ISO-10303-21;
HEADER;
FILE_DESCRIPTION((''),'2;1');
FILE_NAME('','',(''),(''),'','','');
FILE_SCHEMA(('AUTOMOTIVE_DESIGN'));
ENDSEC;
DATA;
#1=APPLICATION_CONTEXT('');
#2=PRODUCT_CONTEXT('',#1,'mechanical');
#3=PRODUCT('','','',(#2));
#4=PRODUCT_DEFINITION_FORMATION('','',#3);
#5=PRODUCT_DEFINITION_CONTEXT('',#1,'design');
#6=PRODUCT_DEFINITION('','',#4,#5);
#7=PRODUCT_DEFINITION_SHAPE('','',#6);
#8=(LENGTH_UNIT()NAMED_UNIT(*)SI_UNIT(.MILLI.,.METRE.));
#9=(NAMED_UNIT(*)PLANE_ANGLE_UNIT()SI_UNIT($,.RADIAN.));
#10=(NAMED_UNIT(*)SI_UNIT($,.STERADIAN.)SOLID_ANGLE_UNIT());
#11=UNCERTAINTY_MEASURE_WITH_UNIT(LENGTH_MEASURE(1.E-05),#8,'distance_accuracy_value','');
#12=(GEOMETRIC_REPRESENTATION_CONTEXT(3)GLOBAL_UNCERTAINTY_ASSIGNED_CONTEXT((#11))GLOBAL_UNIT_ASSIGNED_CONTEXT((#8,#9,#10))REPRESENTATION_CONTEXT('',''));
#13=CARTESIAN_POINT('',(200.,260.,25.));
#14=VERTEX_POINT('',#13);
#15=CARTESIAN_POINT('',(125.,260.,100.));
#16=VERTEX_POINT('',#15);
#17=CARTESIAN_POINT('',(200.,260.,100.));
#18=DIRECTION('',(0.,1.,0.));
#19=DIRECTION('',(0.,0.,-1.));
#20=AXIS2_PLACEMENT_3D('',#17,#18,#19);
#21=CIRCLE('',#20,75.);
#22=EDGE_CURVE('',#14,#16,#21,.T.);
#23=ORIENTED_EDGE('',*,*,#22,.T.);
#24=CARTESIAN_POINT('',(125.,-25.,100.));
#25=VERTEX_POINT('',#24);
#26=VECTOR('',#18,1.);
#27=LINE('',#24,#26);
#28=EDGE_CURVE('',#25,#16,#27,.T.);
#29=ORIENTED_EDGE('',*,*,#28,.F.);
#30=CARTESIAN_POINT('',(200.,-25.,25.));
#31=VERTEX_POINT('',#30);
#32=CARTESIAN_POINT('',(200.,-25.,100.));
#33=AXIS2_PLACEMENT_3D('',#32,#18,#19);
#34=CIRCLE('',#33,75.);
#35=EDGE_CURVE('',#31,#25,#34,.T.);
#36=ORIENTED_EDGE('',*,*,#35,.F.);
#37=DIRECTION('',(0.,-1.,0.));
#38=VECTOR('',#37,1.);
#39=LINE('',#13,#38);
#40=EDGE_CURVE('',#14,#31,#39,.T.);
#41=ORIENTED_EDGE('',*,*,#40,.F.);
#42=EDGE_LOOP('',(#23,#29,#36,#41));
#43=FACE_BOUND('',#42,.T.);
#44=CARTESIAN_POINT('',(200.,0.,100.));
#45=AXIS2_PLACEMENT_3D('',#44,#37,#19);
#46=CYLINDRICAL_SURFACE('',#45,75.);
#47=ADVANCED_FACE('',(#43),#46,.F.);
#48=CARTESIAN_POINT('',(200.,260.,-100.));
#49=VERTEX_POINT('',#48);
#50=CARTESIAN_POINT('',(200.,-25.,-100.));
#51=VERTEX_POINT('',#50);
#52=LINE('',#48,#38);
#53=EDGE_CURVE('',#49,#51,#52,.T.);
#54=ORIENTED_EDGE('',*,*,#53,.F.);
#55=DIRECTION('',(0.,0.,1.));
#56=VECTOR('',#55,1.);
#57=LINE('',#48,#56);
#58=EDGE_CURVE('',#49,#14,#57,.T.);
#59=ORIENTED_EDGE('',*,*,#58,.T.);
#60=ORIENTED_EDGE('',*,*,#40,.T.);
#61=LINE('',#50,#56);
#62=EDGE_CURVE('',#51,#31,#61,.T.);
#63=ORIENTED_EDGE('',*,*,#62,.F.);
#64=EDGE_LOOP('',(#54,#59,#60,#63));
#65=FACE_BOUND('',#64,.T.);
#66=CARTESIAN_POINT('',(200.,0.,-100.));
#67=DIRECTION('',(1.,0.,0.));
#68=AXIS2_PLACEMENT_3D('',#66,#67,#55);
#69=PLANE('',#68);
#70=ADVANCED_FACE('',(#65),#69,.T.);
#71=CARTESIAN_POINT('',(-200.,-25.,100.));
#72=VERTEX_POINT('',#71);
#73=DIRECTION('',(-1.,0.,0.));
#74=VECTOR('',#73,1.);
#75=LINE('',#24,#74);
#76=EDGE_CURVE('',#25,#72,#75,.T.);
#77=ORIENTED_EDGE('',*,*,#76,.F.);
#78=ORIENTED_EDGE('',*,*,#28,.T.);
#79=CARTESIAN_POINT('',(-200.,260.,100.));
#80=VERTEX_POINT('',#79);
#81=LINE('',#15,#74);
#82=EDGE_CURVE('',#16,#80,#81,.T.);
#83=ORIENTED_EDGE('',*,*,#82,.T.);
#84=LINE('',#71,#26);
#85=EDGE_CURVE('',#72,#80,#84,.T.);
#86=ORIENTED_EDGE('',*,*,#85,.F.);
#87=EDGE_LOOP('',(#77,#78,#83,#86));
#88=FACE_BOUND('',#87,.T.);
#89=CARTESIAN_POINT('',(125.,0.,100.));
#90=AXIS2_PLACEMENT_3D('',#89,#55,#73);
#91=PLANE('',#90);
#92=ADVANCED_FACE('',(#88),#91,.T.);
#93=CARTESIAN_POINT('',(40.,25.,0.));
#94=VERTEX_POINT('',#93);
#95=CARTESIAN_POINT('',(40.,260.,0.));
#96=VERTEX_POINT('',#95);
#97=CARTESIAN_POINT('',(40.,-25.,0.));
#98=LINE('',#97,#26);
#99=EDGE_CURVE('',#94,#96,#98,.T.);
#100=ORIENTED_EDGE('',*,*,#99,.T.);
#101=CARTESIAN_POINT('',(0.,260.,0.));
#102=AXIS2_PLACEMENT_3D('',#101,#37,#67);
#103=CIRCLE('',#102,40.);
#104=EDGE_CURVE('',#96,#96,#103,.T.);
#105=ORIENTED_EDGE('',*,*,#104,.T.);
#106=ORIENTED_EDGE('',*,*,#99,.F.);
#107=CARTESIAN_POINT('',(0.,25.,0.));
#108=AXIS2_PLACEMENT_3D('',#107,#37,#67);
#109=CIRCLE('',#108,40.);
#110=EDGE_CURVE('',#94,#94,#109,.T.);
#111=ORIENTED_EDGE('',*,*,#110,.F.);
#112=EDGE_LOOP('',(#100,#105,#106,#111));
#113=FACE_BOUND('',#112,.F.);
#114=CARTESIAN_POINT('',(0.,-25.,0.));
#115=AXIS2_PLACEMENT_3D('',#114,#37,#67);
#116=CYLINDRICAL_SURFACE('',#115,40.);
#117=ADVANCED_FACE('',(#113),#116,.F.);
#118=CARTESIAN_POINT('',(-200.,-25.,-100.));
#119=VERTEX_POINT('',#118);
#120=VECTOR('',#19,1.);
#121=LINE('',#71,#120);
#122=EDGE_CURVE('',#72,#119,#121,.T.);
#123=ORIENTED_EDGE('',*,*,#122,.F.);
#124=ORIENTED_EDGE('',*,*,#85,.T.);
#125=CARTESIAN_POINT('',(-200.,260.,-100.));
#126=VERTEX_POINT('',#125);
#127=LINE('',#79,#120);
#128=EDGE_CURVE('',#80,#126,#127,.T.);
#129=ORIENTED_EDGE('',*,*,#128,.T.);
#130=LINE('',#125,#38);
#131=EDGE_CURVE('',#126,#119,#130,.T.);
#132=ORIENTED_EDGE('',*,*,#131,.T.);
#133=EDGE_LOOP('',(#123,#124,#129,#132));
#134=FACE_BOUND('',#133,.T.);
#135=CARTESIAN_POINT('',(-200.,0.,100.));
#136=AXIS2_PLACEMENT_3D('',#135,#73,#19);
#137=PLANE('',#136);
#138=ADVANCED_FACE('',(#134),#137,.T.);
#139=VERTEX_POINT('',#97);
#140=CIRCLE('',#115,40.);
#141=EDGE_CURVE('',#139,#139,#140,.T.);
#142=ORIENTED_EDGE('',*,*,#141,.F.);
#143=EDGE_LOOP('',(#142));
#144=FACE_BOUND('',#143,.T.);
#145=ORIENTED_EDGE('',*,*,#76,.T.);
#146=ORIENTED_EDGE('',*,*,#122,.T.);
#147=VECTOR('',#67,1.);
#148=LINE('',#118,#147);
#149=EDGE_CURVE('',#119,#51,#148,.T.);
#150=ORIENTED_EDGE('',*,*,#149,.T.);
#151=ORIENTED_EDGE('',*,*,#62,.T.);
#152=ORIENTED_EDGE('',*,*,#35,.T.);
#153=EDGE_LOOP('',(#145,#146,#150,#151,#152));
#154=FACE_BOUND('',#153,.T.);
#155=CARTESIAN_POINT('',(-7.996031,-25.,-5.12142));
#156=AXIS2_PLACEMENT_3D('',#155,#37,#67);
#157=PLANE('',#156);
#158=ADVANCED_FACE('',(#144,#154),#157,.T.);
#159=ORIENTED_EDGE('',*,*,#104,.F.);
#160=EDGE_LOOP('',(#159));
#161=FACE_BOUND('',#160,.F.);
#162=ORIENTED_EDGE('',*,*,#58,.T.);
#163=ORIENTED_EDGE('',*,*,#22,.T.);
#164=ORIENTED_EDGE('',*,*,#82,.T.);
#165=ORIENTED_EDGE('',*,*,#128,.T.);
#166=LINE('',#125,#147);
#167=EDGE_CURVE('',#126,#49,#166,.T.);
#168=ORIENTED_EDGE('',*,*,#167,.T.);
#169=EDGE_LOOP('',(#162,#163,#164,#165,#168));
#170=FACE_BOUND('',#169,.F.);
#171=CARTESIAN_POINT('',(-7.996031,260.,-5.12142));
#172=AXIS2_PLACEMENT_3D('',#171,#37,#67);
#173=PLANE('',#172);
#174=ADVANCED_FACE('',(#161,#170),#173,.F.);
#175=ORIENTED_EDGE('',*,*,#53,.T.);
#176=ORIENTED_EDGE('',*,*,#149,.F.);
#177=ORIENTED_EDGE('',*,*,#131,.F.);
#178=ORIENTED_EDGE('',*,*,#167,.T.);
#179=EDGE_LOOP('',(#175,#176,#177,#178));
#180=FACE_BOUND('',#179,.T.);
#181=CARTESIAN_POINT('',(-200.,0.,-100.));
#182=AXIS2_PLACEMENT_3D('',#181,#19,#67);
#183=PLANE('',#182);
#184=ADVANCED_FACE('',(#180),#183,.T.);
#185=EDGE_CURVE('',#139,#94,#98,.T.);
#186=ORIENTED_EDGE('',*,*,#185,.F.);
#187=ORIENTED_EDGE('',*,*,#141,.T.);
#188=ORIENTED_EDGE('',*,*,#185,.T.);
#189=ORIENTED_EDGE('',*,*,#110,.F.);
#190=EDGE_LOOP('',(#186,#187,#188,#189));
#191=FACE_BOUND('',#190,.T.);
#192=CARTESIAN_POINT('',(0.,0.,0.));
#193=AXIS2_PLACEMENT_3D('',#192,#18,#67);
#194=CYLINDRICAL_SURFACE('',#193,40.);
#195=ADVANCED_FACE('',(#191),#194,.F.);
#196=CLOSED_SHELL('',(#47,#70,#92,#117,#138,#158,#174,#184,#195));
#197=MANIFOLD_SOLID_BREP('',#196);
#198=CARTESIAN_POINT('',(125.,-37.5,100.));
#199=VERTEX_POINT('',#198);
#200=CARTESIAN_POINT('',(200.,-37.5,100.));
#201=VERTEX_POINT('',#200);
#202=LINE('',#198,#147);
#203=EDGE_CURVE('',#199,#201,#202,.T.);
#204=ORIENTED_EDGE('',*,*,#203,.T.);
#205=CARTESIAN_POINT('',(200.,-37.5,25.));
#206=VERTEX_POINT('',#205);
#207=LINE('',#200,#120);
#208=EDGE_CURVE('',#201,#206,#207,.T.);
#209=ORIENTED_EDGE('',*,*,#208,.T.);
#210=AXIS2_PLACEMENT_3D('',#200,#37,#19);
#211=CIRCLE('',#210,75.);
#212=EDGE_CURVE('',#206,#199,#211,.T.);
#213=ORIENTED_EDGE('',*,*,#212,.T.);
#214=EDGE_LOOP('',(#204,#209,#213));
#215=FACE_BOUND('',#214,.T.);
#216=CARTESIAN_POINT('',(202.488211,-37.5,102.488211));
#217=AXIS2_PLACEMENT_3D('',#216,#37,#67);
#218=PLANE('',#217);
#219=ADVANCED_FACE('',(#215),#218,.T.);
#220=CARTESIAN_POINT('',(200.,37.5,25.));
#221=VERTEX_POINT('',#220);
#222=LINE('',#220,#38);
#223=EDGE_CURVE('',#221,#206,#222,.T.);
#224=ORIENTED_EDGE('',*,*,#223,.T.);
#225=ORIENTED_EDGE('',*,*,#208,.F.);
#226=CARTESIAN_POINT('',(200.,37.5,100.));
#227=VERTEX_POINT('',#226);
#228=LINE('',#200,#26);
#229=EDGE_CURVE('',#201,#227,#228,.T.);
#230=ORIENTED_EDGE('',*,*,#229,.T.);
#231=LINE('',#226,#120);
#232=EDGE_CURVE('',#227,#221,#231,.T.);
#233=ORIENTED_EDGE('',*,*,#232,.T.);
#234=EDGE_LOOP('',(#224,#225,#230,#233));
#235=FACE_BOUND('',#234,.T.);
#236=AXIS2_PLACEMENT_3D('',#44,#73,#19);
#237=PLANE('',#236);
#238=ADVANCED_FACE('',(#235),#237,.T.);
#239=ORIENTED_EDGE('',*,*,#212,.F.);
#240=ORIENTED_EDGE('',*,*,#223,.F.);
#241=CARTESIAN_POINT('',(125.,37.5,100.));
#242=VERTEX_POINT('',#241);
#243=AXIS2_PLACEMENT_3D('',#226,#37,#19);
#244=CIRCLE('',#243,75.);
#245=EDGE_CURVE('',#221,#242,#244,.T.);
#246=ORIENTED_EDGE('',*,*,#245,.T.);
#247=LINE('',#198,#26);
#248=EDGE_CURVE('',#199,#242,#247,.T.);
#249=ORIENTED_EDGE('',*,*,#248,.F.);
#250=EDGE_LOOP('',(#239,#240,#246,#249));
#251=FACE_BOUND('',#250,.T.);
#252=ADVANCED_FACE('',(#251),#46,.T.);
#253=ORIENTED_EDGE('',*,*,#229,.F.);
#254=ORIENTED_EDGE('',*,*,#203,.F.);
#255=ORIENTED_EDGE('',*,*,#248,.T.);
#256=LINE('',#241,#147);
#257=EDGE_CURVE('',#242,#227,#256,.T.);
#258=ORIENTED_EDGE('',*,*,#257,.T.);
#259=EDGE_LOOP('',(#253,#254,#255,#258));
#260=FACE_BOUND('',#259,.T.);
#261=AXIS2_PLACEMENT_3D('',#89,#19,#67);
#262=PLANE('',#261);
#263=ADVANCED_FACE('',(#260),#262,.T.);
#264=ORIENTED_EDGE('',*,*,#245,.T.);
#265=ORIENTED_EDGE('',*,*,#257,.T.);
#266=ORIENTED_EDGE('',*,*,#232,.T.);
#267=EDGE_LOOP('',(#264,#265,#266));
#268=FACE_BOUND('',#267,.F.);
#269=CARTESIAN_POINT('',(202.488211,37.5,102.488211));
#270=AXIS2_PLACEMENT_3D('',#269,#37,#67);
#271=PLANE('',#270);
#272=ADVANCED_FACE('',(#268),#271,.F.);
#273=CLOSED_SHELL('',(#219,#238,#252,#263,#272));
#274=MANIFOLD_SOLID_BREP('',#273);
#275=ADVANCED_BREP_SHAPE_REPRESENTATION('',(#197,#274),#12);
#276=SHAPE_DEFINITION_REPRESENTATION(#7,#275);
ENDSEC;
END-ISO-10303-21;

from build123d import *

# Parameters (mm, degrees)
F0_R     = 40
F1_DEPTH = 25
F2_DEPTH = 285
F3_DEPTH = 37.5


with BuildPart() as f1:
    # F0 (on Front) → F1 (new body, symmetric)
    with BuildSketch(Plane.XZ):
        with BuildLine():
            Line((-200, 100), (-200, -100))
            Line((-200, -100), (200, -100))
            Line((200, -100), (200, 25))
            ThreePointArc((200, 25), (146.966991411, 46.966991411), (125, 100))
            Line((125, 100), (-200, 100))
        make_face()
        Circle(F0_R, mode=Mode.SUBTRACT)
    extrude(amount=F1_DEPTH, both=True)

    # F2 (add): a face of the model
    f2_faces = [f1.faces().sort_by_distance(p)[0] for p in [
        (143.8047137508, -25, 43.8047137508),
    ]]
    extrude(f2_faces, amount=-F2_DEPTH)


with BuildPart() as f3:
    # F0 (on Front) → F3 (new body, symmetric)
    with BuildSketch(Plane.XZ):
        with BuildLine():
            Line((200, 100), (200, 25))
            ThreePointArc((200, 25), (253.033008589, 46.966991411), (275, 100))
            ThreePointArc((275, 100), (253.8200708687, 152.2340882153), (202.2426674217, 174.9664621203))
            ThreePointArc((202.2426674217, 174.9664621203), (147.7659117847, 153.8200708687), (125, 100))
            Line((125, 100), (200, 100))
        make_face()
    extrude(amount=F3_DEPTH, both=True)


solid = Compound([f1.part, f3.part])
